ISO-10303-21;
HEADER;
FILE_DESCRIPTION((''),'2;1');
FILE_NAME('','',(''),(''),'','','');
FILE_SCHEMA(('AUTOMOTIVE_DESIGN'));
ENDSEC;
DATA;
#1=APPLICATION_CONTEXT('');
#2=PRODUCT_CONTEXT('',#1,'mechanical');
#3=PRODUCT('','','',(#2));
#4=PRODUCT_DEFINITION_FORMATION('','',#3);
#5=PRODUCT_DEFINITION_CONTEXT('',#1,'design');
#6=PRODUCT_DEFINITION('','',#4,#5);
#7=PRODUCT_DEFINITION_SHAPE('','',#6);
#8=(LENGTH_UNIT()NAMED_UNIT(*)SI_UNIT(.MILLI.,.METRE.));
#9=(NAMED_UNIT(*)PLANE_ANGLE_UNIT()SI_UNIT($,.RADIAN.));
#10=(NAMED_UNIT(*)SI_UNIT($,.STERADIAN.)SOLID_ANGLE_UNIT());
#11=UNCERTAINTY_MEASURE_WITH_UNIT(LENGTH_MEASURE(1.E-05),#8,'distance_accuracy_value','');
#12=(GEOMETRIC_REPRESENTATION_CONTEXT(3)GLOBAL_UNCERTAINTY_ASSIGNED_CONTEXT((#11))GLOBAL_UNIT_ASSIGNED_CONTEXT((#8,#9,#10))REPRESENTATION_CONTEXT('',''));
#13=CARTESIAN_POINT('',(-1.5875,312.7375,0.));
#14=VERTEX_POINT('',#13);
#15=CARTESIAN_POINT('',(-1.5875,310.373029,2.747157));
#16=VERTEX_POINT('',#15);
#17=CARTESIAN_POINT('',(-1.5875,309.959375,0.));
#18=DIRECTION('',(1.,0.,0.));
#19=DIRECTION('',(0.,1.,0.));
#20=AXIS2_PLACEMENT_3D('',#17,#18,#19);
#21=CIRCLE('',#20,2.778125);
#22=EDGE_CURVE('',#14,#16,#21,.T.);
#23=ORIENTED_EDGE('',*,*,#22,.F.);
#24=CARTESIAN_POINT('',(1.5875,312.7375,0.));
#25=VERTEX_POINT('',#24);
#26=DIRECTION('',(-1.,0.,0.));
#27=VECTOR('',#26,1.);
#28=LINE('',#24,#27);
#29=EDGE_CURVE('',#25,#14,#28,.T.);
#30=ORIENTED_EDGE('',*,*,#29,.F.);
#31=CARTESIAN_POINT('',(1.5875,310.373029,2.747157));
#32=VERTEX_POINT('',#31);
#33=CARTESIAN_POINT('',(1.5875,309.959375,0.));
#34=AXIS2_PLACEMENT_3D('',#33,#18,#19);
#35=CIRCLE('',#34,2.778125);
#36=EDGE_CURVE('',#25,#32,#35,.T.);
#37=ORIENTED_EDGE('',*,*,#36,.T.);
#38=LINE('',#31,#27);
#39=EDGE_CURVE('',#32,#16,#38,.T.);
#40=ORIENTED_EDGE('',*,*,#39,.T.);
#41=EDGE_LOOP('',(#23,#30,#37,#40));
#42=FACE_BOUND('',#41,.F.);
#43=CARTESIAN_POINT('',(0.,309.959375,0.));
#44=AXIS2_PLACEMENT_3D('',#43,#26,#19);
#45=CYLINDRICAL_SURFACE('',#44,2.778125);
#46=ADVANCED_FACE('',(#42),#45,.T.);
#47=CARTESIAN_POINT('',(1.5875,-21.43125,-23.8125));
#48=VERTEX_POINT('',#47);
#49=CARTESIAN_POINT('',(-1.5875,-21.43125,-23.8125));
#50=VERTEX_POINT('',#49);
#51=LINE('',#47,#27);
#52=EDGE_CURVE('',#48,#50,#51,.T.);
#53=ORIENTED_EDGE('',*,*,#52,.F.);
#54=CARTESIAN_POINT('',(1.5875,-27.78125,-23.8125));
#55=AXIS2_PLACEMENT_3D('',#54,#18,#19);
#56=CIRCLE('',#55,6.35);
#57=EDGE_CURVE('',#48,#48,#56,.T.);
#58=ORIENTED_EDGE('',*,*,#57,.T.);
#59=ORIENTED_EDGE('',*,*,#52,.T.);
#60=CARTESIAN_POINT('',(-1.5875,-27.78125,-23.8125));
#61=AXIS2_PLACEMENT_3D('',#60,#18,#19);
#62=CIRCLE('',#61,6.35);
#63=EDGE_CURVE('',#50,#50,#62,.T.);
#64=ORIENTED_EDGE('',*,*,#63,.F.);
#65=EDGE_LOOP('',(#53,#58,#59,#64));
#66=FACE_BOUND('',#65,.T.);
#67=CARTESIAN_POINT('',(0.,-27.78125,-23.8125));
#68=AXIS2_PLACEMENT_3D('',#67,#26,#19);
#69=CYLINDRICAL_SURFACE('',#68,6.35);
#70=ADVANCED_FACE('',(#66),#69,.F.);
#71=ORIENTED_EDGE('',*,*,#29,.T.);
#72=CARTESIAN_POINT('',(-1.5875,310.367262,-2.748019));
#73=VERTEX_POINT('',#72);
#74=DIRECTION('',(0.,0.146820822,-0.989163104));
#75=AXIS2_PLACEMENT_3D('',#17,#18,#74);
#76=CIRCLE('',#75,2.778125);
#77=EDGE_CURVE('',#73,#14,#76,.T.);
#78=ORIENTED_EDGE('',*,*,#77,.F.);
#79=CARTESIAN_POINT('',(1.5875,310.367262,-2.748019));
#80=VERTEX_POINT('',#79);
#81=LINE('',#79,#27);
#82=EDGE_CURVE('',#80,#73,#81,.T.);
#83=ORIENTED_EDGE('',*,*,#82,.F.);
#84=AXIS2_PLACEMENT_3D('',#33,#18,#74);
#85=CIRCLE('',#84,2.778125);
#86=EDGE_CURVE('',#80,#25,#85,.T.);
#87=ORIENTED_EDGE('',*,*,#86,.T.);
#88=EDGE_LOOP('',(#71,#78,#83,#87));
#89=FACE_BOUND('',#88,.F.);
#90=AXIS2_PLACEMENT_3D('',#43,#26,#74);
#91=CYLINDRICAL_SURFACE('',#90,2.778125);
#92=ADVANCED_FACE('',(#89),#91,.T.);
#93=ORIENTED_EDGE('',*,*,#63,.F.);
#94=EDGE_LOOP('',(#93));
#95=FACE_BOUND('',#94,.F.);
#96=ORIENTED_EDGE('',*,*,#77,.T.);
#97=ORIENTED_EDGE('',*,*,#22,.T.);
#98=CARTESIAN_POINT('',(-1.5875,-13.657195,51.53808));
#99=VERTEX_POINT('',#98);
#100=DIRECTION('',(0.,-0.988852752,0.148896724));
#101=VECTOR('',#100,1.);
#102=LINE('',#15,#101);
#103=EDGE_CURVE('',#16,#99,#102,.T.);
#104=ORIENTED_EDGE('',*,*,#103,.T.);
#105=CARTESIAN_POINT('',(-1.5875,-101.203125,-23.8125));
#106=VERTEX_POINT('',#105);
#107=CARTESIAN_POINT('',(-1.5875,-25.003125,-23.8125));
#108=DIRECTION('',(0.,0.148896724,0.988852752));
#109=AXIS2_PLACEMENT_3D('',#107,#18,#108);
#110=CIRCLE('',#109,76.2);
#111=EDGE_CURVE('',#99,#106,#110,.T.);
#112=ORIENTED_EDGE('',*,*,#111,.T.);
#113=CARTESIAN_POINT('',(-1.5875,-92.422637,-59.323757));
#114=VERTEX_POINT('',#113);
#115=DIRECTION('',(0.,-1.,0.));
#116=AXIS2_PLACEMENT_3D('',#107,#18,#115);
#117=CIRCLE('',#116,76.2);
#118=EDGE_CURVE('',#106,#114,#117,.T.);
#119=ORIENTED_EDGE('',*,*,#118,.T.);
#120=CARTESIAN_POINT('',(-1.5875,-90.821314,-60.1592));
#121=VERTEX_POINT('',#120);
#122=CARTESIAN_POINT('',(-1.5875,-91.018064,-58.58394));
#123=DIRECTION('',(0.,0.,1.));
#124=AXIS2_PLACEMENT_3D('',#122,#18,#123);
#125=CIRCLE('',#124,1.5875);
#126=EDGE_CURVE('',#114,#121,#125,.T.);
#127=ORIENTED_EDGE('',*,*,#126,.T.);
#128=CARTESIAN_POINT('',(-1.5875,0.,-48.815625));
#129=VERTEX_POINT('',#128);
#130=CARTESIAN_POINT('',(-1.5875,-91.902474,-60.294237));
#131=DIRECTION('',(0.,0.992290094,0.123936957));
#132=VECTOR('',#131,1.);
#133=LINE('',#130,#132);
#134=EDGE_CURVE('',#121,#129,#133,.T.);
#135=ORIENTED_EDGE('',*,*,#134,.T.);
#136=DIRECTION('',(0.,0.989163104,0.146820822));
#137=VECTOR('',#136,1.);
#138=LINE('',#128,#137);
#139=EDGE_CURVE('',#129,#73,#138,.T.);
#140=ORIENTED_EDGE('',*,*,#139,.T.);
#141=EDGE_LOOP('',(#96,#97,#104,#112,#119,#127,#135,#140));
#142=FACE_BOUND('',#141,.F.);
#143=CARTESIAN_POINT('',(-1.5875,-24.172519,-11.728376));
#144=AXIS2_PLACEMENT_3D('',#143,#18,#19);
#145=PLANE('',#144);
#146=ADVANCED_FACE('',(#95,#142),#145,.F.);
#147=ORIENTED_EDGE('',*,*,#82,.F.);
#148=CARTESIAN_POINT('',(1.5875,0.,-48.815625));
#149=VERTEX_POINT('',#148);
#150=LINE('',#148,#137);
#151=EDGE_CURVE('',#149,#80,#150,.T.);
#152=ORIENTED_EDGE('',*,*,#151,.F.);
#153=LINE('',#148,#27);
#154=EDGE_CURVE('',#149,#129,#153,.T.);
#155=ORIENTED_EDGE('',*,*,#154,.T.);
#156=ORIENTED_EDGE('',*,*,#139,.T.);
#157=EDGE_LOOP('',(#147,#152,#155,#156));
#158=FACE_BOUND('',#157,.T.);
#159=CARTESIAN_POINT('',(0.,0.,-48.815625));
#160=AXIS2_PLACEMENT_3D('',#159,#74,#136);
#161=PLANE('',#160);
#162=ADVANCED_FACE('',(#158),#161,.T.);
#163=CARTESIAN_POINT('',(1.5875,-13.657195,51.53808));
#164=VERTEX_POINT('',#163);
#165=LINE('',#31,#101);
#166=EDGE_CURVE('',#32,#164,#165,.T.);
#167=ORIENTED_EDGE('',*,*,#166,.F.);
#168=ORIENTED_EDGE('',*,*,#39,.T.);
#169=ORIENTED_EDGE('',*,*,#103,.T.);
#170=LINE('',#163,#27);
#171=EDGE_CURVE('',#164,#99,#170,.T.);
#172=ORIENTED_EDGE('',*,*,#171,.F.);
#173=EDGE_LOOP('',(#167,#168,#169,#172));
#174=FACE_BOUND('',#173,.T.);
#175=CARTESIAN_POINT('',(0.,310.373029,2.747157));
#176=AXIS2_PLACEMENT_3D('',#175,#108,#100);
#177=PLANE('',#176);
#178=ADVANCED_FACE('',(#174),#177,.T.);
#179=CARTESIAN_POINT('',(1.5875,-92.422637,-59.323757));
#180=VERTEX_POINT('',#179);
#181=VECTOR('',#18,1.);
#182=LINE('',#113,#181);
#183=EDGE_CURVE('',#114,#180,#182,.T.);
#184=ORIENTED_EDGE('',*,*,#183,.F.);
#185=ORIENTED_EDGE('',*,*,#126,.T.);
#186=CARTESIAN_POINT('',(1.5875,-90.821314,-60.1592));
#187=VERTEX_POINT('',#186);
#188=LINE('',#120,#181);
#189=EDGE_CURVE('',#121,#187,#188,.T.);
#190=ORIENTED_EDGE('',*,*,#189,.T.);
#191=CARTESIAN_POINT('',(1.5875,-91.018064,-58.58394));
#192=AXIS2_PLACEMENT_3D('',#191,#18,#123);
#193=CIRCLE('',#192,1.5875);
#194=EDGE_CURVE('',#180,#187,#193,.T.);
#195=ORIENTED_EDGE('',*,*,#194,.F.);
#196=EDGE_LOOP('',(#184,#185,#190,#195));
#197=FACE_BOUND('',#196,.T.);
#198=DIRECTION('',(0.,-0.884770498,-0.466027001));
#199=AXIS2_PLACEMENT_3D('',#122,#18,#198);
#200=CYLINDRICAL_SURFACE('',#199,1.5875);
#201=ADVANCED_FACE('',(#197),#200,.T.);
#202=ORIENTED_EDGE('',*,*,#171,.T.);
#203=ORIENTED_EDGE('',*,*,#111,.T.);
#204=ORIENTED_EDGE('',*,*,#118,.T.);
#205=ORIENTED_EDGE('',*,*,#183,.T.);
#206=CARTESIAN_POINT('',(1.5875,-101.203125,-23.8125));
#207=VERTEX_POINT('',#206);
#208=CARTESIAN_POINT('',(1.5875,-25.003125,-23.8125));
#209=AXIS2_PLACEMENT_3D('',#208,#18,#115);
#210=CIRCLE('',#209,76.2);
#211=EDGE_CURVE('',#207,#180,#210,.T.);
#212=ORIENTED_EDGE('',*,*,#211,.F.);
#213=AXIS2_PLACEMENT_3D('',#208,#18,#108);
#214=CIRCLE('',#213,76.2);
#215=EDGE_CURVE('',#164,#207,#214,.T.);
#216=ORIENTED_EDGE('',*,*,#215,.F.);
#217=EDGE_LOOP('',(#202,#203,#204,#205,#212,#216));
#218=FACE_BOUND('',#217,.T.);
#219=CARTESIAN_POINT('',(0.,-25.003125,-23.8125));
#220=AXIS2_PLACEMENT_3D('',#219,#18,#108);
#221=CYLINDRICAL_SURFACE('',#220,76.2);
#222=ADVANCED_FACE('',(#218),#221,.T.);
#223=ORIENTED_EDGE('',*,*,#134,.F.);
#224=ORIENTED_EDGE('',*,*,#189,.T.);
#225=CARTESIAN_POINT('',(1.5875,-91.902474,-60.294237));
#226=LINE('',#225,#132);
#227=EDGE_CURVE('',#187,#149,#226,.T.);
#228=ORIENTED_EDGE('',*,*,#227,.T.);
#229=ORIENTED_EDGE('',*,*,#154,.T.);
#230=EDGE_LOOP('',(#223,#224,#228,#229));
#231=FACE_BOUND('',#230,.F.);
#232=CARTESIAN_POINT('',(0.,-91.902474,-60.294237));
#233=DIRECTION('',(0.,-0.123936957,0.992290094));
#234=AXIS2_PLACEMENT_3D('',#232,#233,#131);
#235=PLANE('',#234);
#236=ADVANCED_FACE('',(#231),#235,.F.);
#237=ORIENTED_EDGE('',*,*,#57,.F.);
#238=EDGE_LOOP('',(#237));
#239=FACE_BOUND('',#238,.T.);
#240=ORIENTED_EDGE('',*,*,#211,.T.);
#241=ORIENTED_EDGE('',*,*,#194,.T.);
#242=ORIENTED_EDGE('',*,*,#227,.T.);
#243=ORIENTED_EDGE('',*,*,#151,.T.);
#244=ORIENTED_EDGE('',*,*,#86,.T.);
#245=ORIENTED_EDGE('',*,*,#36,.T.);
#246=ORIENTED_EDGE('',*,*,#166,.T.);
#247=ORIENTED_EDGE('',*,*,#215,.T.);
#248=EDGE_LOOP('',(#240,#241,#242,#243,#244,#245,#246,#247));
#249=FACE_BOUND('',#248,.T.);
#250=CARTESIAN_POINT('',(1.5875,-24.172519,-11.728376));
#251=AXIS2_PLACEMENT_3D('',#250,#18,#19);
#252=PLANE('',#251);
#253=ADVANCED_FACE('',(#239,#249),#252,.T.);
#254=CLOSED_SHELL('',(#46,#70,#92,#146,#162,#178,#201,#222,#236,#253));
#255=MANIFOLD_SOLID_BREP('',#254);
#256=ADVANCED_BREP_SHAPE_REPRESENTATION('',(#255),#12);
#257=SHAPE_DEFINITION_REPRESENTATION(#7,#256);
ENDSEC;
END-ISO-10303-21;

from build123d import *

# Parameters (mm, degrees)
F0_R     = 6.35
F1_DEPTH = 1.5875
F2_R     = 1.5875


with BuildPart() as f1:
    # F0 (on Right) → F1 (new body, symmetric)
    with BuildSketch(Plane.YZ):
        with BuildLine():
            ThreePointArc((51.196875, -23.8125), (32.7506622905, 25.8960511115), (-13.6571946485, 51.5380797221))
            ThreePointArc((-13.6571946485, 51.5380797221), (-74.7116761115, 33.9412872905), (-101.203125, -23.8125))
            ThreePointArc((-101.203125, -23.8125), (-98.8413616364, -42.6368143416), (-91.9024738075, -60.2942369259))
            Line((-91.9024738075, -60.2942369259), (0, -48.815625))
            Line((0, -48.815625), (0, -23.415625))
            Line((0, -23.415625), (3.175, -23.415625))
            Line((3.175, -23.415625), (3.175, -48.3443618613))
            Line((3.175, -48.3443618613), (49.1093522758, -41.5263564983))
            ThreePointArc((49.1093522758, -41.5263564983), (50.6731948379, -32.730718196), (51.196875, -23.8125))
        make_face()
        with Locations((-27.78125, -23.8125)):
            Circle(F0_R, mode=Mode.SUBTRACT)
        with BuildLine():
            ThreePointArc((310.3672615954, -2.7480187483), (307.1812515299, 0.0029156046), (310.3730287107, 2.7471565524))
            Line((310.3730287107, 2.7471565524), (-13.6571946485, 51.5380797221))
            ThreePointArc((-13.6571946485, 51.5380797221), (32.7506622905, 25.8960511115), (51.196875, -23.8125))
            ThreePointArc((51.196875, -23.8125), (50.6731948379, -32.730718196), (49.1093522758, -41.5263564983))
            Line((49.1093522758, -41.5263564983), (310.3672615954, -2.7480187483))
        make_face()
        with BuildLine():
            ThreePointArc((310.3672615954, -2.7480187483), (312.0630786939, -1.8144997338), (312.7375, 0))
            ThreePointArc((312.7375, 0), (312.0649818283, 1.8122909259), (310.3730287107, 2.7471565524))
            ThreePointArc((310.3730287107, 2.7471565524), (307.1812515299, 0.0029156046), (310.3672615954, -2.7480187483))
        make_face()
        Polygon((0, -48.815625), (3.175, -48.3443618613), (3.175, -23.415625), (0, -23.415625), align=None)
    extrude(amount=F1_DEPTH, both=True)

    # F2
    f2_edges = [f1.edges().sort_by_distance(p)[0] for p in [
        (0, -91.902474, -60.294237),
    ]]
    fillet(f2_edges, radius=F2_R)


solid = f1.part
